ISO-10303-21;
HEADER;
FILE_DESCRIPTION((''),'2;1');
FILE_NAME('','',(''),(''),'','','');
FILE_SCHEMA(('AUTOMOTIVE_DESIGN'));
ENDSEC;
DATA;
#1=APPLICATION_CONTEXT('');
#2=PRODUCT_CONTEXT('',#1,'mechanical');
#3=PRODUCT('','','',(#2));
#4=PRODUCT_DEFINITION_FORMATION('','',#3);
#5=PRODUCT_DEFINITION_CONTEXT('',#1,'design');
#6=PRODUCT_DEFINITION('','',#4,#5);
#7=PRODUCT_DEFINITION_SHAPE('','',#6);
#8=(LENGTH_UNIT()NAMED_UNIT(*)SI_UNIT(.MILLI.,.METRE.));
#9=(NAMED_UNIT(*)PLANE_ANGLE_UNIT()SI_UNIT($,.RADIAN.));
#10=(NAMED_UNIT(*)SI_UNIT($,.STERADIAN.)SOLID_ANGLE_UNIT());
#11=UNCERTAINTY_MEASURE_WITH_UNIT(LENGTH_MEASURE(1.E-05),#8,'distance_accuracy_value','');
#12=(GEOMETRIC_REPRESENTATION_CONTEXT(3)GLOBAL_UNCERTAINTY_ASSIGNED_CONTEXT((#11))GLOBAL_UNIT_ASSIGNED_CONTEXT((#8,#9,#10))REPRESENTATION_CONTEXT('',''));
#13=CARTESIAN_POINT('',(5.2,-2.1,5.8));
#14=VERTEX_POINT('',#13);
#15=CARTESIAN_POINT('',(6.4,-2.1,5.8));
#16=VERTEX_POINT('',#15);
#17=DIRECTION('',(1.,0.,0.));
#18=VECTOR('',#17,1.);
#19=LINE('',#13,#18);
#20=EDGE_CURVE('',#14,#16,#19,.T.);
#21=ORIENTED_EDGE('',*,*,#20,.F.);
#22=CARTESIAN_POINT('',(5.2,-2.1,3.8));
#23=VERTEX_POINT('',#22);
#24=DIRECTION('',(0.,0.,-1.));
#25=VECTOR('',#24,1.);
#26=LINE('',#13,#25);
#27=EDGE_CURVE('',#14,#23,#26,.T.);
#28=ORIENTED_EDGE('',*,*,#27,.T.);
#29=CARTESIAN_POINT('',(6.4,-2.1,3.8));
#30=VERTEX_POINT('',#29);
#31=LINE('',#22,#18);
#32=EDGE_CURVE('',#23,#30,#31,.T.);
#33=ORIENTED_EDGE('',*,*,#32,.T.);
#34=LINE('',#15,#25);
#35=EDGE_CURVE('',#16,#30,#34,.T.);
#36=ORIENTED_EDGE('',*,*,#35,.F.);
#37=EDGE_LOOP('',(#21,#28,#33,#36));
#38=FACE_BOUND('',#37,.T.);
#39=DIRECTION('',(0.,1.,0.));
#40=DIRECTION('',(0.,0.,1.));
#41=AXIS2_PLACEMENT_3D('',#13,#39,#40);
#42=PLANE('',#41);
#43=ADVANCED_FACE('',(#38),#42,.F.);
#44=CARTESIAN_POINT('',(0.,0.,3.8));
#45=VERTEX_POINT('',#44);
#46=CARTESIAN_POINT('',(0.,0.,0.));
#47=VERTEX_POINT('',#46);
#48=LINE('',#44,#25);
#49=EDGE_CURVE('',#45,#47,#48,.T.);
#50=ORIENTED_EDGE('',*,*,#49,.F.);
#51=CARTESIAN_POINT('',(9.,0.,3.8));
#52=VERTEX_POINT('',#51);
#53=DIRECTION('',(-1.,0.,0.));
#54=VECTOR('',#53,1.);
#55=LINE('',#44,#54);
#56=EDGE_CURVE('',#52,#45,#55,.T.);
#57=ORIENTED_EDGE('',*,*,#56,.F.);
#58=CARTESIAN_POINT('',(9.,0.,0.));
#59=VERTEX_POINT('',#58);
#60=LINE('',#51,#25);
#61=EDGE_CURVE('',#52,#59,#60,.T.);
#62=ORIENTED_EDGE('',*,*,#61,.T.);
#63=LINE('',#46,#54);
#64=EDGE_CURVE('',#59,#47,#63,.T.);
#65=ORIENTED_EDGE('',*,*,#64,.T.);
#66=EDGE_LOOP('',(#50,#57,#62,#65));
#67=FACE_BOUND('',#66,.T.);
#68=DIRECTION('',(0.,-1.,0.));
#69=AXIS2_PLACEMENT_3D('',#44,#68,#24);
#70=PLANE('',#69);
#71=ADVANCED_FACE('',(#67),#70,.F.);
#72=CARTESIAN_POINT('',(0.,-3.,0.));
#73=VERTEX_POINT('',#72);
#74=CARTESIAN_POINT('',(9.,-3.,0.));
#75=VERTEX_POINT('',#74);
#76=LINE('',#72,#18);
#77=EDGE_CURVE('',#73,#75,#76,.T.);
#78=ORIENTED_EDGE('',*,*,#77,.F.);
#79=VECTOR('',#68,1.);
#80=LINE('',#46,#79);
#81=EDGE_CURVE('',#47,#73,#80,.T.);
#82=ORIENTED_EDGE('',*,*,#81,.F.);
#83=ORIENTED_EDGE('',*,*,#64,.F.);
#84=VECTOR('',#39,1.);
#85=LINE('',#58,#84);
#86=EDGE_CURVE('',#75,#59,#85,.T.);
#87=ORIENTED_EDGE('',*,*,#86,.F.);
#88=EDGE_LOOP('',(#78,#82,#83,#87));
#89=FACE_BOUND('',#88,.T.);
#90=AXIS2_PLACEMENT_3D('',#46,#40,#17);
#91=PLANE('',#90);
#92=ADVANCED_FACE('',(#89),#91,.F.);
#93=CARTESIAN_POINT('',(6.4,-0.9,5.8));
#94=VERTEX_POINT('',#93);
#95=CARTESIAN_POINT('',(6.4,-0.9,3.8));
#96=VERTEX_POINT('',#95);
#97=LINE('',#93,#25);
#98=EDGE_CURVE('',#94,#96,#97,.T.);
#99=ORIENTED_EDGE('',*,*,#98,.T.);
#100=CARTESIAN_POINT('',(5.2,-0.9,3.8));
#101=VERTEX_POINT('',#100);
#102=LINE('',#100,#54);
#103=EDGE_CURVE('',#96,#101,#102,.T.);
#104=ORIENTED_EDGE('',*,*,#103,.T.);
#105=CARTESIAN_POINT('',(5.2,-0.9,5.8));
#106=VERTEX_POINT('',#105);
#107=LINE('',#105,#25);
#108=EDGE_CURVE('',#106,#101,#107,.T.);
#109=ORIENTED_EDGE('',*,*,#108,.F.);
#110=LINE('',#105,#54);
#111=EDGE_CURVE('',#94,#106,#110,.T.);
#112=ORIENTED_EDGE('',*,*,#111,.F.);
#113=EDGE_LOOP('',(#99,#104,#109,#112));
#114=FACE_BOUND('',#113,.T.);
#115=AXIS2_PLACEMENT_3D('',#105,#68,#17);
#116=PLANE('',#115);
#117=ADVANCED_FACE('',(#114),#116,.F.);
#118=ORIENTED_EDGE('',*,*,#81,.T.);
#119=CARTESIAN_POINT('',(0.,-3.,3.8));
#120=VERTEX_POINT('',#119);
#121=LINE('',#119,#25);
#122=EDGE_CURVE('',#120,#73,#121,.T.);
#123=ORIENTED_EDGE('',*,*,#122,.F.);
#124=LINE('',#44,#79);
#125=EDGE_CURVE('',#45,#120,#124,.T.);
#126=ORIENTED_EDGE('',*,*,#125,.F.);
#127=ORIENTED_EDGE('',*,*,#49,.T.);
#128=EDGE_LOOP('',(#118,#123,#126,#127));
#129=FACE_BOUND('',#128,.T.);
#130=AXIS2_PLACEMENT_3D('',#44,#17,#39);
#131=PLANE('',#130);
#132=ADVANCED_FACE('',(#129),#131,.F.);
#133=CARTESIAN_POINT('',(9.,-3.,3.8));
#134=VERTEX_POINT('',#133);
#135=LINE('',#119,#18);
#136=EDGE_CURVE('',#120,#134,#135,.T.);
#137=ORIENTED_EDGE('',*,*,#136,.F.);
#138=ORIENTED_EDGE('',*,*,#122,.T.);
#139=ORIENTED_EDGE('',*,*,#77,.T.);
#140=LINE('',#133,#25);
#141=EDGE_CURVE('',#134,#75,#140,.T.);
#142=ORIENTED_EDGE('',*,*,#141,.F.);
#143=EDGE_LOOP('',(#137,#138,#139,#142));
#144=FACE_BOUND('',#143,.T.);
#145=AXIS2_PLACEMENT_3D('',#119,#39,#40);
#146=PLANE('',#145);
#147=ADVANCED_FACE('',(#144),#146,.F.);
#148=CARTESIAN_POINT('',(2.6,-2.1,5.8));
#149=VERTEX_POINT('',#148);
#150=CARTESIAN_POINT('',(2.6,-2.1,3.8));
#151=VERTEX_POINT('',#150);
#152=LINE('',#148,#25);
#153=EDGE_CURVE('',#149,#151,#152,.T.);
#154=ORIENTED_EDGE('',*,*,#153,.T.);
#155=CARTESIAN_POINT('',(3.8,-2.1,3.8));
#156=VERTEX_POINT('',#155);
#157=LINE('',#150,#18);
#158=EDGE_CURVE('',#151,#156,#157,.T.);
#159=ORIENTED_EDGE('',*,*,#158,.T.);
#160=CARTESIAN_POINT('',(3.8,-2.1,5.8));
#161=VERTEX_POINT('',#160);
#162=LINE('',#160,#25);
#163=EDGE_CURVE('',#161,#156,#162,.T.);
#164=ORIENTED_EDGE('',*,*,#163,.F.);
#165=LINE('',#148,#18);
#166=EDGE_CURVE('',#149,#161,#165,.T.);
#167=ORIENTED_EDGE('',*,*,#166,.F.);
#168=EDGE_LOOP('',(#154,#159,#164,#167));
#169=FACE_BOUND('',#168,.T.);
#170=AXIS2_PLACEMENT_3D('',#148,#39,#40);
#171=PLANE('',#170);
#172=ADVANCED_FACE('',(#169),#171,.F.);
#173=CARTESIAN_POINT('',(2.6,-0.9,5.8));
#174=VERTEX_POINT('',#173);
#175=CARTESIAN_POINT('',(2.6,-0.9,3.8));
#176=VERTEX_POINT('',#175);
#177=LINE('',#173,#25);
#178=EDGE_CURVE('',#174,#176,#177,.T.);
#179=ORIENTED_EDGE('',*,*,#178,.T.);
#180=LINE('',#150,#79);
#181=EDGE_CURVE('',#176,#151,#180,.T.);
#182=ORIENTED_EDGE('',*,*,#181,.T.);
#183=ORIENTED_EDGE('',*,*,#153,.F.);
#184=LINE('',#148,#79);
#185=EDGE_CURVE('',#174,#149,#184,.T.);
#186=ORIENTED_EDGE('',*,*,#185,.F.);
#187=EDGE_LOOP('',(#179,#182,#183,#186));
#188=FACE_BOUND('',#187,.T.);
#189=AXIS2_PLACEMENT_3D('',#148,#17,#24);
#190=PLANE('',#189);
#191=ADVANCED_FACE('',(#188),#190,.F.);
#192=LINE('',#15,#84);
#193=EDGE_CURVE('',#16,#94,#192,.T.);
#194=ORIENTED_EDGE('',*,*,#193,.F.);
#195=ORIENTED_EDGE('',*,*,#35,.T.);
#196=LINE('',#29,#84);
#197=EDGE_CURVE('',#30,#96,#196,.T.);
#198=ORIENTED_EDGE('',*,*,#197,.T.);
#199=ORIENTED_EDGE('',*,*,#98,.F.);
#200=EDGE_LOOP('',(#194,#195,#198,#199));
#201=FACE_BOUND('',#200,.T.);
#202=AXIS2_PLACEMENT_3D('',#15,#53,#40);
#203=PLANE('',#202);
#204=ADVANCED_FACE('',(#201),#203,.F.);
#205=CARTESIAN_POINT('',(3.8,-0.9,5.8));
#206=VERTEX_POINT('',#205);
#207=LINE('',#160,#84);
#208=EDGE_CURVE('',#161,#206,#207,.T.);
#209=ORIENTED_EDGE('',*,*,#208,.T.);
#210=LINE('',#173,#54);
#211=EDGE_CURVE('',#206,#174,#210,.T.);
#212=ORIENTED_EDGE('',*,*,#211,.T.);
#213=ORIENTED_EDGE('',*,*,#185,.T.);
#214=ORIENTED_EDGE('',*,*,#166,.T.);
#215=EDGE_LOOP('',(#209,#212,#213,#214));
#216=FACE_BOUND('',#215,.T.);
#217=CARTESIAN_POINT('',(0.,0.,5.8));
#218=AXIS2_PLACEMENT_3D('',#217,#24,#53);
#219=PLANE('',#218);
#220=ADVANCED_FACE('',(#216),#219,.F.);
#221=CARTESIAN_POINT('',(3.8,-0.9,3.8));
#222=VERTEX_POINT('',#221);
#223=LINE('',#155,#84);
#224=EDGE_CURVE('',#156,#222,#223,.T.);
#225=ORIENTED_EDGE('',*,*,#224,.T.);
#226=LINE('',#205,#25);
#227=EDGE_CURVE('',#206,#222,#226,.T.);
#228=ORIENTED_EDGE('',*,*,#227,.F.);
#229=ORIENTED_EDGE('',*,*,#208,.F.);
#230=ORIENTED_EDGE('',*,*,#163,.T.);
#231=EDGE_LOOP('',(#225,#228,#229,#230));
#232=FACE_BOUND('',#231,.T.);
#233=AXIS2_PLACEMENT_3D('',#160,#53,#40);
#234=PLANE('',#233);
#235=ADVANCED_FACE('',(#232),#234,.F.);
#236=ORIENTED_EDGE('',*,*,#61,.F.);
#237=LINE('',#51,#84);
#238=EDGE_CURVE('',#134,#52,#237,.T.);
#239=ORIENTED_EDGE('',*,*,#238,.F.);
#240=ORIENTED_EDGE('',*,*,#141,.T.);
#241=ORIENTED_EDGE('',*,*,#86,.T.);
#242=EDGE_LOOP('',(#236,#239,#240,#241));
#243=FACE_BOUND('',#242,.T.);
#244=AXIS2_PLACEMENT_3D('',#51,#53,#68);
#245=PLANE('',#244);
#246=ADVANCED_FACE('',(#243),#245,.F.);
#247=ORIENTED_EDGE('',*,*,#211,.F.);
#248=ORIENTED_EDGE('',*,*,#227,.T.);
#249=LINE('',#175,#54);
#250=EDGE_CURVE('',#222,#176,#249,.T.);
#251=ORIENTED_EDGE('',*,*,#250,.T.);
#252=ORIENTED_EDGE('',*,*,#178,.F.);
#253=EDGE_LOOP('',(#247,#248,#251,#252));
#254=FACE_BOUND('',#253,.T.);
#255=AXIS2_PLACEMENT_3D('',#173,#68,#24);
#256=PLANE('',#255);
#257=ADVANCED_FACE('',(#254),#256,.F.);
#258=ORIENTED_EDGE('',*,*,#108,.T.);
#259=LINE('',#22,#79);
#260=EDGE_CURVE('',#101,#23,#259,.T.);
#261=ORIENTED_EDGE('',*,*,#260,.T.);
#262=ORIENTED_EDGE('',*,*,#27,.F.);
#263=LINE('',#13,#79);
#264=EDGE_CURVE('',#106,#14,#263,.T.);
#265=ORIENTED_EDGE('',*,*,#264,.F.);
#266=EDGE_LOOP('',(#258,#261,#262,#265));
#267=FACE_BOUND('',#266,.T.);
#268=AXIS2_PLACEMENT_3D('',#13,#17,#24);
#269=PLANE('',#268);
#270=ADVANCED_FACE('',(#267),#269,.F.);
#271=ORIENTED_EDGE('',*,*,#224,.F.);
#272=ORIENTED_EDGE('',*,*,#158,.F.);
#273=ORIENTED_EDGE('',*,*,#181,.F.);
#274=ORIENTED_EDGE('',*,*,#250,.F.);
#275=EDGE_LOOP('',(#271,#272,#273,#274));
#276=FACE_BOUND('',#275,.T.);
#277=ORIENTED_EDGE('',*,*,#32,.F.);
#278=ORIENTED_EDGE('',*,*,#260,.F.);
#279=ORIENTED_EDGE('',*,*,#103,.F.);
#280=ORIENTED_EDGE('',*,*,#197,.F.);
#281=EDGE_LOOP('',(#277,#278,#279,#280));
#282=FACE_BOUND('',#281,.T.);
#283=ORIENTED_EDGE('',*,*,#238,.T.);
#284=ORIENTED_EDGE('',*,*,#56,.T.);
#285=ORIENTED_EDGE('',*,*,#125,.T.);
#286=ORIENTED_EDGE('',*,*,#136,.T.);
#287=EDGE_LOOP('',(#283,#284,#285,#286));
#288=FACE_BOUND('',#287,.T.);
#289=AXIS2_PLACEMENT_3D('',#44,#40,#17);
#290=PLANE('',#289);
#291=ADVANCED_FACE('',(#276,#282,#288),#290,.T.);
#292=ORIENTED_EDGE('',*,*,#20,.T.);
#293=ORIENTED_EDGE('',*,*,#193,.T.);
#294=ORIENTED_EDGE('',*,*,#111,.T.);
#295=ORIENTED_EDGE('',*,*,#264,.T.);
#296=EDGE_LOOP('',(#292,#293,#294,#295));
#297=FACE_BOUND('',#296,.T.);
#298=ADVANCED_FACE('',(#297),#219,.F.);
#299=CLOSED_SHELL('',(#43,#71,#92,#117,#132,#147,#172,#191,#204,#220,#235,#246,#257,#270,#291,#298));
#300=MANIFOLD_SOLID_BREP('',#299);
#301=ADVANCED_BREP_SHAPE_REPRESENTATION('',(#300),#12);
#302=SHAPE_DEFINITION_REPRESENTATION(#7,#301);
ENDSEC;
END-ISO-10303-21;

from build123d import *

# Parameters (mm, degrees)
SKETCH1_W           = 9
SKETCH1_H           = 3
BOSS_EXTRUDE1_DEPTH = 3.8
SKETCH2_W           = 1.2
SKETCH2_H           = 1.2
BOSS_EXTRUDE2_DEPTH = 2


with BuildPart() as part:
    # Sketch1 → Boss-Extrude1 (new body)
    with BuildSketch(Plane.XY):
        with Locations((4.5, -1.5)):
            Rectangle(SKETCH1_W, SKETCH1_H)
    extrude(amount=BOSS_EXTRUDE1_DEPTH)

    # Sketch2 → Boss-Extrude2 (add)
    with BuildSketch(Plane.XY.offset(3.8)):
        with Locations((5.8, -1.5)):
            Rectangle(SKETCH2_W, SKETCH2_H)
        with Locations((3.2, -1.5)):
            Rectangle(SKETCH2_W, SKETCH2_H)
    extrude(amount=BOSS_EXTRUDE2_DEPTH)


solid = part.part
